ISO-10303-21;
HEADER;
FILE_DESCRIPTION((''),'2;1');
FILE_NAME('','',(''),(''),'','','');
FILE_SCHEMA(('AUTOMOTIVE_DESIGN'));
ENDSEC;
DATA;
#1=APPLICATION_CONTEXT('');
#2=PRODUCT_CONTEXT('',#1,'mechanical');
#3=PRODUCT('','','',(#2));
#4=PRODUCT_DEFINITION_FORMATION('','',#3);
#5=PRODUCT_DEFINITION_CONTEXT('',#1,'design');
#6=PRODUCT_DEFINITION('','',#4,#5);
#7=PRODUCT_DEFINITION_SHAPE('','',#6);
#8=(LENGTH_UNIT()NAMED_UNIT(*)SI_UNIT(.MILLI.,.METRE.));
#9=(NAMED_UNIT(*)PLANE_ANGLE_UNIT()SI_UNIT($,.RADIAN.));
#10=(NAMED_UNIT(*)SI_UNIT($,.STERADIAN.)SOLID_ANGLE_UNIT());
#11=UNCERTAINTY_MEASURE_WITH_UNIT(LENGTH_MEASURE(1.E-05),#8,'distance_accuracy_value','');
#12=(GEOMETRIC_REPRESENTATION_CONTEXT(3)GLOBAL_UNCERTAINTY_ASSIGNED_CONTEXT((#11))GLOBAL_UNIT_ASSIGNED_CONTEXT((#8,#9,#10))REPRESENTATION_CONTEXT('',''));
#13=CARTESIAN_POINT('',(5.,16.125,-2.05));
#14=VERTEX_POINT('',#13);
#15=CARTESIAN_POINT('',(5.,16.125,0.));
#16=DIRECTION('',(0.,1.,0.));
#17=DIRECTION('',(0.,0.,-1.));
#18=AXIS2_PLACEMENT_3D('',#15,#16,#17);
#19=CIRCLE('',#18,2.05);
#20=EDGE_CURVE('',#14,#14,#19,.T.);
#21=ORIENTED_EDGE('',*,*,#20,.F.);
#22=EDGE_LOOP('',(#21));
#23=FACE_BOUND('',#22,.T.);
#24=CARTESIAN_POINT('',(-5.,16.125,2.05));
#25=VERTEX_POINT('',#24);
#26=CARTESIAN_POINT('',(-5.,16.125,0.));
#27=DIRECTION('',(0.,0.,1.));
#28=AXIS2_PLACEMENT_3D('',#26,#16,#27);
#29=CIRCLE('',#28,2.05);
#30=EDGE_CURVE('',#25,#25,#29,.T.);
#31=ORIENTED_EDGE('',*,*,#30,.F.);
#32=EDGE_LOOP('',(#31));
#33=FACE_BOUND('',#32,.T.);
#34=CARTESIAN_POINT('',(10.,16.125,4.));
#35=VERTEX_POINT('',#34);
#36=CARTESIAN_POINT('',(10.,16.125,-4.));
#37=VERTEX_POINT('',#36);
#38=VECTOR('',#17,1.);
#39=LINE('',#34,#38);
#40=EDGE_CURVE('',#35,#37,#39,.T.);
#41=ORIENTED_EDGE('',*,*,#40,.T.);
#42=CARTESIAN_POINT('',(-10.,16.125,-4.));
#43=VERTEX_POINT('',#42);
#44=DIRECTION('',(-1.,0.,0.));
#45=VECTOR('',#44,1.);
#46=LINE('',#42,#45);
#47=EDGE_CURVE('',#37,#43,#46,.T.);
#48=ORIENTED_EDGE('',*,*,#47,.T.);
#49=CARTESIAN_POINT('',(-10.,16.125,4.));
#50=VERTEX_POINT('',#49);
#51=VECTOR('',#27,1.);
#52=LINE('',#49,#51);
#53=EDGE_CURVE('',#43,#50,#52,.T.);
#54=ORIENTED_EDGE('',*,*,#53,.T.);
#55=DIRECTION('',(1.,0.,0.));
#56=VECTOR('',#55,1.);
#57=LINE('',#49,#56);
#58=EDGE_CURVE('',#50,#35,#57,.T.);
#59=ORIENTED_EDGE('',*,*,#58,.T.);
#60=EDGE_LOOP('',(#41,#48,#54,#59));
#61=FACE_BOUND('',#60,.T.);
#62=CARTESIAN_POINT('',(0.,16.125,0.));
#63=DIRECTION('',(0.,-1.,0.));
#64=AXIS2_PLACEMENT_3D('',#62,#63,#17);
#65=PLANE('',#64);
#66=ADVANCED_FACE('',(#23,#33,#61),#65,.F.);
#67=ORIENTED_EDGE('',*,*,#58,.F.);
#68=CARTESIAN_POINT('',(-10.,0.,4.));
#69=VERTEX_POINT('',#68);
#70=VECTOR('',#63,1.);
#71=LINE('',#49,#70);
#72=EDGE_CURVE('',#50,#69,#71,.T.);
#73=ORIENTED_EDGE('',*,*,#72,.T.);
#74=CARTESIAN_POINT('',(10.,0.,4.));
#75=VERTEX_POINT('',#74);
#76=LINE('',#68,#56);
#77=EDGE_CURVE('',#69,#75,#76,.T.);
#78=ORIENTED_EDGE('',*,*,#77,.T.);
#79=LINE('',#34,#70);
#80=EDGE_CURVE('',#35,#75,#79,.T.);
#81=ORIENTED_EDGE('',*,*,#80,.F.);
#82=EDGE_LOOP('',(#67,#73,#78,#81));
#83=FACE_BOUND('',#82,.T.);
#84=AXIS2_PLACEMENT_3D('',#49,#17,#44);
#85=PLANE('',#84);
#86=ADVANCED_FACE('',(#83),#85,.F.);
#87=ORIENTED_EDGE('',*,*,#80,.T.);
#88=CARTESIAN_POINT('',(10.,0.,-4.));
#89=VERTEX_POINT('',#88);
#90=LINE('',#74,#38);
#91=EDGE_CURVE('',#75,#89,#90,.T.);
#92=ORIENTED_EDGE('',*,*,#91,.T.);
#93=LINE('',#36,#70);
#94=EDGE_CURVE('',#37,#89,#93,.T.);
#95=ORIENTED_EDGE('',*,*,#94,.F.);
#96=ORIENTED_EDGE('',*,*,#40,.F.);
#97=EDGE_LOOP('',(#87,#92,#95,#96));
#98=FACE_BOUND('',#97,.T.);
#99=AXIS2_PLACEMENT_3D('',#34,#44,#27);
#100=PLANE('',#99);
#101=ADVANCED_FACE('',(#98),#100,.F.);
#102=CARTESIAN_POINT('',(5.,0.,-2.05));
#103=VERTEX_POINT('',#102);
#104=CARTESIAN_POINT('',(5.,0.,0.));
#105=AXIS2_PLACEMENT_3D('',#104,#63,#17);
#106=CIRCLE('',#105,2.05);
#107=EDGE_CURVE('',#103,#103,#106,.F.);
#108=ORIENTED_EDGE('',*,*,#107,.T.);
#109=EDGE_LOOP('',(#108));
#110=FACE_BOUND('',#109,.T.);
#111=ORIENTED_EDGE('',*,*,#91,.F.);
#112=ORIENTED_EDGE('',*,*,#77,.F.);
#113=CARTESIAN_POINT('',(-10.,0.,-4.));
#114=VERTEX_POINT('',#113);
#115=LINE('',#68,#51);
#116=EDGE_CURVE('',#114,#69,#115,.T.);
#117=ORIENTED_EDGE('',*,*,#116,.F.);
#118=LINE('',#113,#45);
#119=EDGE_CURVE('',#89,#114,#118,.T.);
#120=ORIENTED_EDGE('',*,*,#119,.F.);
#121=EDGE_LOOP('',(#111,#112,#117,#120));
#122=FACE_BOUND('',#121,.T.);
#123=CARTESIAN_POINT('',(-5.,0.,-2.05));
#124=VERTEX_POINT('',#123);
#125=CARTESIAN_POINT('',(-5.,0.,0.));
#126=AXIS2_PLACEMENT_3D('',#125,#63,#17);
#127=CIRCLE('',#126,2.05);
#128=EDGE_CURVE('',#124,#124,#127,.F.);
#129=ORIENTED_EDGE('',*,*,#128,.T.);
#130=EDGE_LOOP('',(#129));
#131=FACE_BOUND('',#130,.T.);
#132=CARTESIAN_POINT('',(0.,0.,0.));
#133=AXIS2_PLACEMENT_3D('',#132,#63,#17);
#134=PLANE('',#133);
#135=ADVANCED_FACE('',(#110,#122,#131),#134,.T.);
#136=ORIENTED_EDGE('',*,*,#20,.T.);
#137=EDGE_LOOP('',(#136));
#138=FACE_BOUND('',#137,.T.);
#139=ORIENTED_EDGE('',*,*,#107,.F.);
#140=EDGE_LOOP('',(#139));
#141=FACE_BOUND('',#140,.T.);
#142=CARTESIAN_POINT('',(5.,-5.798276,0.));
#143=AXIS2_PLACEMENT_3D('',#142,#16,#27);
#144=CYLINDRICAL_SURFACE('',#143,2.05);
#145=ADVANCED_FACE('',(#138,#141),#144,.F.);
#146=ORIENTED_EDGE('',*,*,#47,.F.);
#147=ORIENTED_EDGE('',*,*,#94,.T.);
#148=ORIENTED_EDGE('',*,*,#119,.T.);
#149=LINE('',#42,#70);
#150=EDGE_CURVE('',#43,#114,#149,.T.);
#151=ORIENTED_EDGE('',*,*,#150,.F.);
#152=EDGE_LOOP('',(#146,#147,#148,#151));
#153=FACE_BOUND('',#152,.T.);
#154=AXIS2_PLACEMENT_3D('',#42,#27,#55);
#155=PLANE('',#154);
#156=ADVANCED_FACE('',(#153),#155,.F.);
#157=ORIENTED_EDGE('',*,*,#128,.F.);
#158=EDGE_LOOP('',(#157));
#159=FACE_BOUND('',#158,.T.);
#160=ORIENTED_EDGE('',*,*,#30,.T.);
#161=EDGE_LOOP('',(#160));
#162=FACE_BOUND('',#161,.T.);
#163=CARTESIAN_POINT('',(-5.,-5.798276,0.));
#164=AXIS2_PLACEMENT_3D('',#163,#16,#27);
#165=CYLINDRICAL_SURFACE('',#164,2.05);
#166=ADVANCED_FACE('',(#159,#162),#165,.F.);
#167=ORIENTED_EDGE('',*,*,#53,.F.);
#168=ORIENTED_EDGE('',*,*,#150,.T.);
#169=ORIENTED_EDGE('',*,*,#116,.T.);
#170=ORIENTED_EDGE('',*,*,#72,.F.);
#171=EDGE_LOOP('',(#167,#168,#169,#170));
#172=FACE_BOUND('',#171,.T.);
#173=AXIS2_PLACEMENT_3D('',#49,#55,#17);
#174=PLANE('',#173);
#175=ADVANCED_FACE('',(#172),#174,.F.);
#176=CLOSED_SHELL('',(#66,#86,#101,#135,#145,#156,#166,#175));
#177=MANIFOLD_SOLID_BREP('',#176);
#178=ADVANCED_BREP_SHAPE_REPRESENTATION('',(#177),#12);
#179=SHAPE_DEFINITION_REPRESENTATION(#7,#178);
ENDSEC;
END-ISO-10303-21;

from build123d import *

# Parameters (mm, degrees)
SKETCH1_W           = 20
SKETCH1_H           = 8
BOSS_EXTRUDE1_DEPTH = 16.125
SKETCH2_R           = 2.05
CUT_EXTRUDE1_DEPTH  = 16.125


with BuildPart() as part:
    # Sketch1 → Boss-Extrude1 (new body)
    with BuildSketch(Plane(origin=(0, 0, 0), x_dir=(1, 0, 0), z_dir=(0, 1, 0))):
        Rectangle(SKETCH1_W, SKETCH1_H)
    extrude(amount=BOSS_EXTRUDE1_DEPTH)

    # Sketch2 → Cut-Extrude1 (cut)
    with BuildSketch(Plane(origin=(0, 16.125, 0), x_dir=(1, 0, 0), z_dir=(0, 1, 0))):
        with Locations(Location((-5, 0, 0), (0, 0, 270))):
            Circle(SKETCH2_R)
        with Locations(Location((5, 0, 0), (0, 0, 90))):
            Circle(SKETCH2_R)
    extrude(amount=-CUT_EXTRUDE1_DEPTH, mode=Mode.SUBTRACT)


solid = part.part
